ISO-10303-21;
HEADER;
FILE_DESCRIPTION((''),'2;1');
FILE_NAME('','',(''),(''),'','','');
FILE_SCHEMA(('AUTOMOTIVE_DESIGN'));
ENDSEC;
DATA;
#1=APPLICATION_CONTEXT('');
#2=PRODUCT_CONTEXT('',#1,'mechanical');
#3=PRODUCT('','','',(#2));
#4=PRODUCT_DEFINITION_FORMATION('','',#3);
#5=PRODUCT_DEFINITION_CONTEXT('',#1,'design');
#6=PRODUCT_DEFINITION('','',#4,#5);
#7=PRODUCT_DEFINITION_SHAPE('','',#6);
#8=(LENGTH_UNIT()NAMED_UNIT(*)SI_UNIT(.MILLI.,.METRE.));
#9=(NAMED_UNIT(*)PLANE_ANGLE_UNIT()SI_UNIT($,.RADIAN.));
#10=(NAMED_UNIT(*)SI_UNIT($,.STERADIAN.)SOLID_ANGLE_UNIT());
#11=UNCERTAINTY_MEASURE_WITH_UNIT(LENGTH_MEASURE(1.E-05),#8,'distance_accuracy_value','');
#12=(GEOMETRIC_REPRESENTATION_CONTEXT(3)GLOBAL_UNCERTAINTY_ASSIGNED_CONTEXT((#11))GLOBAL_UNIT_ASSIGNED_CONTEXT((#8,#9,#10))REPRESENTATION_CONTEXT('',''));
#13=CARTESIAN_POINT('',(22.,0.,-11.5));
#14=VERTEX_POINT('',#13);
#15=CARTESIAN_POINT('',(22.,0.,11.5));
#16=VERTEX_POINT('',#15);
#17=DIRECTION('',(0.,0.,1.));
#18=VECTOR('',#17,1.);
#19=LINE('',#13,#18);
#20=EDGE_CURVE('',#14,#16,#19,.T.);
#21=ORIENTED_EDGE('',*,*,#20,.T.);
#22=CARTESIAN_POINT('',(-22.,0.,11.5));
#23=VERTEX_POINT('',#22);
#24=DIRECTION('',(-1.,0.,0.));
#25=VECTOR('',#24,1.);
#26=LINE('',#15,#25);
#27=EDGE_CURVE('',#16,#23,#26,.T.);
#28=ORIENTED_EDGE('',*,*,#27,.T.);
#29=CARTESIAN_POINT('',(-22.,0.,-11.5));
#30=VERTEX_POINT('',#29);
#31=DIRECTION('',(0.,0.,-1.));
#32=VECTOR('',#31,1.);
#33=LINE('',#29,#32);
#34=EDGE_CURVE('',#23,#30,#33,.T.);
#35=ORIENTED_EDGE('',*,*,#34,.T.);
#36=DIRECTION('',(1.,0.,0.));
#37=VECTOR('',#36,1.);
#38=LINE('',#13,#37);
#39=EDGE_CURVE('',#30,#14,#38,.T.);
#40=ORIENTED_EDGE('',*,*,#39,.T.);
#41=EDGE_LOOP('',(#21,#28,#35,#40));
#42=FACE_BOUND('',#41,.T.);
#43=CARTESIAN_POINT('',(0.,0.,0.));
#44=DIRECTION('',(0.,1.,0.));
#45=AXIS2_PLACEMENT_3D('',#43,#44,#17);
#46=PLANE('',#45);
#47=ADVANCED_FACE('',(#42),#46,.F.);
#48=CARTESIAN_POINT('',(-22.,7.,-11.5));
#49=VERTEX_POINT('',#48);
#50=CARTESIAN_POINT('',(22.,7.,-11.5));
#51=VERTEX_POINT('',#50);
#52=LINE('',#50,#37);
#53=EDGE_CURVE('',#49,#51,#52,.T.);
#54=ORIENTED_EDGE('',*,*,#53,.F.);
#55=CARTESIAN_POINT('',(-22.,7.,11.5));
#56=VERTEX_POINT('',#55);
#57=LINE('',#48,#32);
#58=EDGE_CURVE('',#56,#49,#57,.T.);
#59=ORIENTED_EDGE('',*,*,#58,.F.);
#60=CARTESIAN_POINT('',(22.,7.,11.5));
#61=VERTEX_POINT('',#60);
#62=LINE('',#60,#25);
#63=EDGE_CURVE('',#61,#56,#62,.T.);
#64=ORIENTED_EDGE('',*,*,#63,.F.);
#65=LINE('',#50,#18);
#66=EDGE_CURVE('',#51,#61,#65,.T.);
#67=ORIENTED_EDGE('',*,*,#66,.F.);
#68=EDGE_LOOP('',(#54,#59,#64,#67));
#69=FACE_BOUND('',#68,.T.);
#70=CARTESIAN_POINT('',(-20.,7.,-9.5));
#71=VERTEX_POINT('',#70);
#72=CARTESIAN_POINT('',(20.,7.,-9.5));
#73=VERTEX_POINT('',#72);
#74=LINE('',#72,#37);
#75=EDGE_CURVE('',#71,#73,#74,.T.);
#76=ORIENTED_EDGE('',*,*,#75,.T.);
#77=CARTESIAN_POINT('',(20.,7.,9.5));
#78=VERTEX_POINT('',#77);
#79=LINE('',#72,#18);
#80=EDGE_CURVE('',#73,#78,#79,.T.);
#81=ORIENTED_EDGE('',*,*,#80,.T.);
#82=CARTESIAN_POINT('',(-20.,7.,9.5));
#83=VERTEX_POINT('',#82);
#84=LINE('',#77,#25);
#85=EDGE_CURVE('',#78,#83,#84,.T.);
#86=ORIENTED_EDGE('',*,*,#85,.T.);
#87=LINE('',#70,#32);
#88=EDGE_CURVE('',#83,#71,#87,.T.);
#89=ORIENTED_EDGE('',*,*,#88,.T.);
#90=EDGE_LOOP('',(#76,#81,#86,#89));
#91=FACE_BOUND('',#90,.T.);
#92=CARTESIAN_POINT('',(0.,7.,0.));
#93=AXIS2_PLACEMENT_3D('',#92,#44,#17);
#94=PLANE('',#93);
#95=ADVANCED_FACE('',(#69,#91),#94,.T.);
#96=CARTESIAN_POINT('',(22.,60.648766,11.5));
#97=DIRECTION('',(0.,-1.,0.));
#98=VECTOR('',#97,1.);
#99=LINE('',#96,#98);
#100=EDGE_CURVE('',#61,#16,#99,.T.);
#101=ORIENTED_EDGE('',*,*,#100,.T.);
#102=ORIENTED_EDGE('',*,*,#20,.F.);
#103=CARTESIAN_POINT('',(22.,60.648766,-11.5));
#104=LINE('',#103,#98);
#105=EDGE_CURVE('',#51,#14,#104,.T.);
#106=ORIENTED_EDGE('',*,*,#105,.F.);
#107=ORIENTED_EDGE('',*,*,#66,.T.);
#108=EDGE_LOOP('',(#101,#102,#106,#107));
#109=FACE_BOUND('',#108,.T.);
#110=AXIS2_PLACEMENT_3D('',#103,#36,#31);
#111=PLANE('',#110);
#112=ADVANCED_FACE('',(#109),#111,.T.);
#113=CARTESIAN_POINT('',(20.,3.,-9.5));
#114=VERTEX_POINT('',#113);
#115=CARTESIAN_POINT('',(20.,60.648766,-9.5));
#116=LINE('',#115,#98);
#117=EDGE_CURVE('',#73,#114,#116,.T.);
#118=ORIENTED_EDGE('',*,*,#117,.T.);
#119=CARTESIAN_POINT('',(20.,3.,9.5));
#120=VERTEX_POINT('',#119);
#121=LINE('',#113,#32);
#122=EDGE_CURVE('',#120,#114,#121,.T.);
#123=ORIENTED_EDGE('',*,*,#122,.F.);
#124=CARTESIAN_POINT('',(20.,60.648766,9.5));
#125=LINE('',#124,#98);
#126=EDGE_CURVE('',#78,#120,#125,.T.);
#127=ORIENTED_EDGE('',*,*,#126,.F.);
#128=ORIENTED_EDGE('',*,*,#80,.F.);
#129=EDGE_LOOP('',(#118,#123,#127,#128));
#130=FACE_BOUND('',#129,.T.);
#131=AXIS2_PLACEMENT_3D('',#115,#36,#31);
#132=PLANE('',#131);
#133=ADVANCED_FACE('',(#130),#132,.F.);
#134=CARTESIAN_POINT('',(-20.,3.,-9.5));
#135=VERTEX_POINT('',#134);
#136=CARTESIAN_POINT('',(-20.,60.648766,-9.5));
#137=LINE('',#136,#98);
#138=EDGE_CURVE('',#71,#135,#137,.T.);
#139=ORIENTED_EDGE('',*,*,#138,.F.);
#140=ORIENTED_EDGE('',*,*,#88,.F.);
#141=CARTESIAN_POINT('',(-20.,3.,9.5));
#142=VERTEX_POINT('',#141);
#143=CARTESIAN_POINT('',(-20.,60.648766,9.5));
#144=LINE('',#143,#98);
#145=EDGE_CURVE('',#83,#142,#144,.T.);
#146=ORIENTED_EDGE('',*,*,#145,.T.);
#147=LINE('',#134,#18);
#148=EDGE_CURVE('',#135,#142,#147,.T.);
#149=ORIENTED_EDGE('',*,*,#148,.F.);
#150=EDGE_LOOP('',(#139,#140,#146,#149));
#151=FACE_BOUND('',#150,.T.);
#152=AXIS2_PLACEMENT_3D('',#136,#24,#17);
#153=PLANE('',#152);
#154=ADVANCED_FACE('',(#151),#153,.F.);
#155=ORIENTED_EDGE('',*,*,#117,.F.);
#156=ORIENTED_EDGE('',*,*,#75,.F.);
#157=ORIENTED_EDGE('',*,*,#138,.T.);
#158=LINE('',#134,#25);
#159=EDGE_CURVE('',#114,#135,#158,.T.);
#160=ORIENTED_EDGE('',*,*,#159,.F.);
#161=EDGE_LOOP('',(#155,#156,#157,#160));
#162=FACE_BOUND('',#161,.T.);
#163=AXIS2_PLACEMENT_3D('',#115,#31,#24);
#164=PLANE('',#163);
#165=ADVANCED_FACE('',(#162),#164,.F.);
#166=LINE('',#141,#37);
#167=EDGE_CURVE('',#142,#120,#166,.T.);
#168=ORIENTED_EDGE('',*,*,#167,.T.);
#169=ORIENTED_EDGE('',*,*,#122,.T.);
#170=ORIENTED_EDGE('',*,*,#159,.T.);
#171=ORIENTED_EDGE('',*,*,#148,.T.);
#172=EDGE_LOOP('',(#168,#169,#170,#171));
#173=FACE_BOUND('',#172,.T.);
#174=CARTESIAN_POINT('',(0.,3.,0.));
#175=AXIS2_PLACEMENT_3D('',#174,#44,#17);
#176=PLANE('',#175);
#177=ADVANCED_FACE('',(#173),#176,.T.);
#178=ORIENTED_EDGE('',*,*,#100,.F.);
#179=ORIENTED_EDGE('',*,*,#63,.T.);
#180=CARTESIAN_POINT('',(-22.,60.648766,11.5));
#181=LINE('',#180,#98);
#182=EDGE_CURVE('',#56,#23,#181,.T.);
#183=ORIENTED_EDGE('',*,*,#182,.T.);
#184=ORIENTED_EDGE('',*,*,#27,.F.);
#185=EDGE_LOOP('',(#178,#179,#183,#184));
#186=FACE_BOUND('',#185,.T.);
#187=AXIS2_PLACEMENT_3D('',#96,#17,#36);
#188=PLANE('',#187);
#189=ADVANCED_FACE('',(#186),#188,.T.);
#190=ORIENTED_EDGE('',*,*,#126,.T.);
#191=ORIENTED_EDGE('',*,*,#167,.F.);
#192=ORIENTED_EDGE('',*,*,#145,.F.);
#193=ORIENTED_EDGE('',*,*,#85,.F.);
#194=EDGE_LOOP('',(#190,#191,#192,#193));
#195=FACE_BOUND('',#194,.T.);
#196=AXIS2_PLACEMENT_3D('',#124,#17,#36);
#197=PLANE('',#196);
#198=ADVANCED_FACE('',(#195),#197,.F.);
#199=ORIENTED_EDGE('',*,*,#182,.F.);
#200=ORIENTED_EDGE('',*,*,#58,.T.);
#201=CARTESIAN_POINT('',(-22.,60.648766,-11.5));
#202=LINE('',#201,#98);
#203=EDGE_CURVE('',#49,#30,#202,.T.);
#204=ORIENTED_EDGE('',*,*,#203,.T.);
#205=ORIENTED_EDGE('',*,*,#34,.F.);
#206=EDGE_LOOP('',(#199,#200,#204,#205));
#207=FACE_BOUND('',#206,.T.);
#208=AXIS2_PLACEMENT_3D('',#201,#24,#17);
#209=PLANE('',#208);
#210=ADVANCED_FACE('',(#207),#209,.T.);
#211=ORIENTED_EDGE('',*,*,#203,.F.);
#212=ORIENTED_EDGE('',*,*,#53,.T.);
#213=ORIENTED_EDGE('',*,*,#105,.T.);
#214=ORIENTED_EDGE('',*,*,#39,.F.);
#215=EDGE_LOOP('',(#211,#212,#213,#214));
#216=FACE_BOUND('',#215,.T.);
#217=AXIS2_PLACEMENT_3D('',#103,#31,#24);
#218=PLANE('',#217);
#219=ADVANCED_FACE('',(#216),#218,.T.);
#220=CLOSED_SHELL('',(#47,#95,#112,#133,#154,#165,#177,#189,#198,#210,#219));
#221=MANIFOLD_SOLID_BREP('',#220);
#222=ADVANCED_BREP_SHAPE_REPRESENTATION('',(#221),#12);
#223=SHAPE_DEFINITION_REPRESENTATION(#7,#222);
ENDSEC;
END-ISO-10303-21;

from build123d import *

# Parameters (mm, degrees)
SKETCH1_W           = 40
SKETCH1_H           = 19
BOSS_EXTRUDE1_DEPTH = 3
SKETCH2_W           = 44
SKETCH2_H           = 23
SKETCH2_W_2         = 40
SKETCH2_H_2         = 19
BOSS_EXTRUDE2_DEPTH = 7


with BuildPart() as part:
    # Sketch1 → Boss-Extrude1 (new body)
    with BuildSketch(Plane(origin=(0, 0, 0), x_dir=(1, 0, 0), z_dir=(0, 1, 0))):
        Rectangle(SKETCH1_W, SKETCH1_H)
    extrude(amount=BOSS_EXTRUDE1_DEPTH)

    # Sketch2 → Boss-Extrude2 (add)
    with BuildSketch(Plane.XZ):
        Rectangle(SKETCH2_W, SKETCH2_H)
        Rectangle(SKETCH2_W_2, SKETCH2_H_2, mode=Mode.SUBTRACT)
    extrude(amount=-BOSS_EXTRUDE2_DEPTH)


solid = part.part
